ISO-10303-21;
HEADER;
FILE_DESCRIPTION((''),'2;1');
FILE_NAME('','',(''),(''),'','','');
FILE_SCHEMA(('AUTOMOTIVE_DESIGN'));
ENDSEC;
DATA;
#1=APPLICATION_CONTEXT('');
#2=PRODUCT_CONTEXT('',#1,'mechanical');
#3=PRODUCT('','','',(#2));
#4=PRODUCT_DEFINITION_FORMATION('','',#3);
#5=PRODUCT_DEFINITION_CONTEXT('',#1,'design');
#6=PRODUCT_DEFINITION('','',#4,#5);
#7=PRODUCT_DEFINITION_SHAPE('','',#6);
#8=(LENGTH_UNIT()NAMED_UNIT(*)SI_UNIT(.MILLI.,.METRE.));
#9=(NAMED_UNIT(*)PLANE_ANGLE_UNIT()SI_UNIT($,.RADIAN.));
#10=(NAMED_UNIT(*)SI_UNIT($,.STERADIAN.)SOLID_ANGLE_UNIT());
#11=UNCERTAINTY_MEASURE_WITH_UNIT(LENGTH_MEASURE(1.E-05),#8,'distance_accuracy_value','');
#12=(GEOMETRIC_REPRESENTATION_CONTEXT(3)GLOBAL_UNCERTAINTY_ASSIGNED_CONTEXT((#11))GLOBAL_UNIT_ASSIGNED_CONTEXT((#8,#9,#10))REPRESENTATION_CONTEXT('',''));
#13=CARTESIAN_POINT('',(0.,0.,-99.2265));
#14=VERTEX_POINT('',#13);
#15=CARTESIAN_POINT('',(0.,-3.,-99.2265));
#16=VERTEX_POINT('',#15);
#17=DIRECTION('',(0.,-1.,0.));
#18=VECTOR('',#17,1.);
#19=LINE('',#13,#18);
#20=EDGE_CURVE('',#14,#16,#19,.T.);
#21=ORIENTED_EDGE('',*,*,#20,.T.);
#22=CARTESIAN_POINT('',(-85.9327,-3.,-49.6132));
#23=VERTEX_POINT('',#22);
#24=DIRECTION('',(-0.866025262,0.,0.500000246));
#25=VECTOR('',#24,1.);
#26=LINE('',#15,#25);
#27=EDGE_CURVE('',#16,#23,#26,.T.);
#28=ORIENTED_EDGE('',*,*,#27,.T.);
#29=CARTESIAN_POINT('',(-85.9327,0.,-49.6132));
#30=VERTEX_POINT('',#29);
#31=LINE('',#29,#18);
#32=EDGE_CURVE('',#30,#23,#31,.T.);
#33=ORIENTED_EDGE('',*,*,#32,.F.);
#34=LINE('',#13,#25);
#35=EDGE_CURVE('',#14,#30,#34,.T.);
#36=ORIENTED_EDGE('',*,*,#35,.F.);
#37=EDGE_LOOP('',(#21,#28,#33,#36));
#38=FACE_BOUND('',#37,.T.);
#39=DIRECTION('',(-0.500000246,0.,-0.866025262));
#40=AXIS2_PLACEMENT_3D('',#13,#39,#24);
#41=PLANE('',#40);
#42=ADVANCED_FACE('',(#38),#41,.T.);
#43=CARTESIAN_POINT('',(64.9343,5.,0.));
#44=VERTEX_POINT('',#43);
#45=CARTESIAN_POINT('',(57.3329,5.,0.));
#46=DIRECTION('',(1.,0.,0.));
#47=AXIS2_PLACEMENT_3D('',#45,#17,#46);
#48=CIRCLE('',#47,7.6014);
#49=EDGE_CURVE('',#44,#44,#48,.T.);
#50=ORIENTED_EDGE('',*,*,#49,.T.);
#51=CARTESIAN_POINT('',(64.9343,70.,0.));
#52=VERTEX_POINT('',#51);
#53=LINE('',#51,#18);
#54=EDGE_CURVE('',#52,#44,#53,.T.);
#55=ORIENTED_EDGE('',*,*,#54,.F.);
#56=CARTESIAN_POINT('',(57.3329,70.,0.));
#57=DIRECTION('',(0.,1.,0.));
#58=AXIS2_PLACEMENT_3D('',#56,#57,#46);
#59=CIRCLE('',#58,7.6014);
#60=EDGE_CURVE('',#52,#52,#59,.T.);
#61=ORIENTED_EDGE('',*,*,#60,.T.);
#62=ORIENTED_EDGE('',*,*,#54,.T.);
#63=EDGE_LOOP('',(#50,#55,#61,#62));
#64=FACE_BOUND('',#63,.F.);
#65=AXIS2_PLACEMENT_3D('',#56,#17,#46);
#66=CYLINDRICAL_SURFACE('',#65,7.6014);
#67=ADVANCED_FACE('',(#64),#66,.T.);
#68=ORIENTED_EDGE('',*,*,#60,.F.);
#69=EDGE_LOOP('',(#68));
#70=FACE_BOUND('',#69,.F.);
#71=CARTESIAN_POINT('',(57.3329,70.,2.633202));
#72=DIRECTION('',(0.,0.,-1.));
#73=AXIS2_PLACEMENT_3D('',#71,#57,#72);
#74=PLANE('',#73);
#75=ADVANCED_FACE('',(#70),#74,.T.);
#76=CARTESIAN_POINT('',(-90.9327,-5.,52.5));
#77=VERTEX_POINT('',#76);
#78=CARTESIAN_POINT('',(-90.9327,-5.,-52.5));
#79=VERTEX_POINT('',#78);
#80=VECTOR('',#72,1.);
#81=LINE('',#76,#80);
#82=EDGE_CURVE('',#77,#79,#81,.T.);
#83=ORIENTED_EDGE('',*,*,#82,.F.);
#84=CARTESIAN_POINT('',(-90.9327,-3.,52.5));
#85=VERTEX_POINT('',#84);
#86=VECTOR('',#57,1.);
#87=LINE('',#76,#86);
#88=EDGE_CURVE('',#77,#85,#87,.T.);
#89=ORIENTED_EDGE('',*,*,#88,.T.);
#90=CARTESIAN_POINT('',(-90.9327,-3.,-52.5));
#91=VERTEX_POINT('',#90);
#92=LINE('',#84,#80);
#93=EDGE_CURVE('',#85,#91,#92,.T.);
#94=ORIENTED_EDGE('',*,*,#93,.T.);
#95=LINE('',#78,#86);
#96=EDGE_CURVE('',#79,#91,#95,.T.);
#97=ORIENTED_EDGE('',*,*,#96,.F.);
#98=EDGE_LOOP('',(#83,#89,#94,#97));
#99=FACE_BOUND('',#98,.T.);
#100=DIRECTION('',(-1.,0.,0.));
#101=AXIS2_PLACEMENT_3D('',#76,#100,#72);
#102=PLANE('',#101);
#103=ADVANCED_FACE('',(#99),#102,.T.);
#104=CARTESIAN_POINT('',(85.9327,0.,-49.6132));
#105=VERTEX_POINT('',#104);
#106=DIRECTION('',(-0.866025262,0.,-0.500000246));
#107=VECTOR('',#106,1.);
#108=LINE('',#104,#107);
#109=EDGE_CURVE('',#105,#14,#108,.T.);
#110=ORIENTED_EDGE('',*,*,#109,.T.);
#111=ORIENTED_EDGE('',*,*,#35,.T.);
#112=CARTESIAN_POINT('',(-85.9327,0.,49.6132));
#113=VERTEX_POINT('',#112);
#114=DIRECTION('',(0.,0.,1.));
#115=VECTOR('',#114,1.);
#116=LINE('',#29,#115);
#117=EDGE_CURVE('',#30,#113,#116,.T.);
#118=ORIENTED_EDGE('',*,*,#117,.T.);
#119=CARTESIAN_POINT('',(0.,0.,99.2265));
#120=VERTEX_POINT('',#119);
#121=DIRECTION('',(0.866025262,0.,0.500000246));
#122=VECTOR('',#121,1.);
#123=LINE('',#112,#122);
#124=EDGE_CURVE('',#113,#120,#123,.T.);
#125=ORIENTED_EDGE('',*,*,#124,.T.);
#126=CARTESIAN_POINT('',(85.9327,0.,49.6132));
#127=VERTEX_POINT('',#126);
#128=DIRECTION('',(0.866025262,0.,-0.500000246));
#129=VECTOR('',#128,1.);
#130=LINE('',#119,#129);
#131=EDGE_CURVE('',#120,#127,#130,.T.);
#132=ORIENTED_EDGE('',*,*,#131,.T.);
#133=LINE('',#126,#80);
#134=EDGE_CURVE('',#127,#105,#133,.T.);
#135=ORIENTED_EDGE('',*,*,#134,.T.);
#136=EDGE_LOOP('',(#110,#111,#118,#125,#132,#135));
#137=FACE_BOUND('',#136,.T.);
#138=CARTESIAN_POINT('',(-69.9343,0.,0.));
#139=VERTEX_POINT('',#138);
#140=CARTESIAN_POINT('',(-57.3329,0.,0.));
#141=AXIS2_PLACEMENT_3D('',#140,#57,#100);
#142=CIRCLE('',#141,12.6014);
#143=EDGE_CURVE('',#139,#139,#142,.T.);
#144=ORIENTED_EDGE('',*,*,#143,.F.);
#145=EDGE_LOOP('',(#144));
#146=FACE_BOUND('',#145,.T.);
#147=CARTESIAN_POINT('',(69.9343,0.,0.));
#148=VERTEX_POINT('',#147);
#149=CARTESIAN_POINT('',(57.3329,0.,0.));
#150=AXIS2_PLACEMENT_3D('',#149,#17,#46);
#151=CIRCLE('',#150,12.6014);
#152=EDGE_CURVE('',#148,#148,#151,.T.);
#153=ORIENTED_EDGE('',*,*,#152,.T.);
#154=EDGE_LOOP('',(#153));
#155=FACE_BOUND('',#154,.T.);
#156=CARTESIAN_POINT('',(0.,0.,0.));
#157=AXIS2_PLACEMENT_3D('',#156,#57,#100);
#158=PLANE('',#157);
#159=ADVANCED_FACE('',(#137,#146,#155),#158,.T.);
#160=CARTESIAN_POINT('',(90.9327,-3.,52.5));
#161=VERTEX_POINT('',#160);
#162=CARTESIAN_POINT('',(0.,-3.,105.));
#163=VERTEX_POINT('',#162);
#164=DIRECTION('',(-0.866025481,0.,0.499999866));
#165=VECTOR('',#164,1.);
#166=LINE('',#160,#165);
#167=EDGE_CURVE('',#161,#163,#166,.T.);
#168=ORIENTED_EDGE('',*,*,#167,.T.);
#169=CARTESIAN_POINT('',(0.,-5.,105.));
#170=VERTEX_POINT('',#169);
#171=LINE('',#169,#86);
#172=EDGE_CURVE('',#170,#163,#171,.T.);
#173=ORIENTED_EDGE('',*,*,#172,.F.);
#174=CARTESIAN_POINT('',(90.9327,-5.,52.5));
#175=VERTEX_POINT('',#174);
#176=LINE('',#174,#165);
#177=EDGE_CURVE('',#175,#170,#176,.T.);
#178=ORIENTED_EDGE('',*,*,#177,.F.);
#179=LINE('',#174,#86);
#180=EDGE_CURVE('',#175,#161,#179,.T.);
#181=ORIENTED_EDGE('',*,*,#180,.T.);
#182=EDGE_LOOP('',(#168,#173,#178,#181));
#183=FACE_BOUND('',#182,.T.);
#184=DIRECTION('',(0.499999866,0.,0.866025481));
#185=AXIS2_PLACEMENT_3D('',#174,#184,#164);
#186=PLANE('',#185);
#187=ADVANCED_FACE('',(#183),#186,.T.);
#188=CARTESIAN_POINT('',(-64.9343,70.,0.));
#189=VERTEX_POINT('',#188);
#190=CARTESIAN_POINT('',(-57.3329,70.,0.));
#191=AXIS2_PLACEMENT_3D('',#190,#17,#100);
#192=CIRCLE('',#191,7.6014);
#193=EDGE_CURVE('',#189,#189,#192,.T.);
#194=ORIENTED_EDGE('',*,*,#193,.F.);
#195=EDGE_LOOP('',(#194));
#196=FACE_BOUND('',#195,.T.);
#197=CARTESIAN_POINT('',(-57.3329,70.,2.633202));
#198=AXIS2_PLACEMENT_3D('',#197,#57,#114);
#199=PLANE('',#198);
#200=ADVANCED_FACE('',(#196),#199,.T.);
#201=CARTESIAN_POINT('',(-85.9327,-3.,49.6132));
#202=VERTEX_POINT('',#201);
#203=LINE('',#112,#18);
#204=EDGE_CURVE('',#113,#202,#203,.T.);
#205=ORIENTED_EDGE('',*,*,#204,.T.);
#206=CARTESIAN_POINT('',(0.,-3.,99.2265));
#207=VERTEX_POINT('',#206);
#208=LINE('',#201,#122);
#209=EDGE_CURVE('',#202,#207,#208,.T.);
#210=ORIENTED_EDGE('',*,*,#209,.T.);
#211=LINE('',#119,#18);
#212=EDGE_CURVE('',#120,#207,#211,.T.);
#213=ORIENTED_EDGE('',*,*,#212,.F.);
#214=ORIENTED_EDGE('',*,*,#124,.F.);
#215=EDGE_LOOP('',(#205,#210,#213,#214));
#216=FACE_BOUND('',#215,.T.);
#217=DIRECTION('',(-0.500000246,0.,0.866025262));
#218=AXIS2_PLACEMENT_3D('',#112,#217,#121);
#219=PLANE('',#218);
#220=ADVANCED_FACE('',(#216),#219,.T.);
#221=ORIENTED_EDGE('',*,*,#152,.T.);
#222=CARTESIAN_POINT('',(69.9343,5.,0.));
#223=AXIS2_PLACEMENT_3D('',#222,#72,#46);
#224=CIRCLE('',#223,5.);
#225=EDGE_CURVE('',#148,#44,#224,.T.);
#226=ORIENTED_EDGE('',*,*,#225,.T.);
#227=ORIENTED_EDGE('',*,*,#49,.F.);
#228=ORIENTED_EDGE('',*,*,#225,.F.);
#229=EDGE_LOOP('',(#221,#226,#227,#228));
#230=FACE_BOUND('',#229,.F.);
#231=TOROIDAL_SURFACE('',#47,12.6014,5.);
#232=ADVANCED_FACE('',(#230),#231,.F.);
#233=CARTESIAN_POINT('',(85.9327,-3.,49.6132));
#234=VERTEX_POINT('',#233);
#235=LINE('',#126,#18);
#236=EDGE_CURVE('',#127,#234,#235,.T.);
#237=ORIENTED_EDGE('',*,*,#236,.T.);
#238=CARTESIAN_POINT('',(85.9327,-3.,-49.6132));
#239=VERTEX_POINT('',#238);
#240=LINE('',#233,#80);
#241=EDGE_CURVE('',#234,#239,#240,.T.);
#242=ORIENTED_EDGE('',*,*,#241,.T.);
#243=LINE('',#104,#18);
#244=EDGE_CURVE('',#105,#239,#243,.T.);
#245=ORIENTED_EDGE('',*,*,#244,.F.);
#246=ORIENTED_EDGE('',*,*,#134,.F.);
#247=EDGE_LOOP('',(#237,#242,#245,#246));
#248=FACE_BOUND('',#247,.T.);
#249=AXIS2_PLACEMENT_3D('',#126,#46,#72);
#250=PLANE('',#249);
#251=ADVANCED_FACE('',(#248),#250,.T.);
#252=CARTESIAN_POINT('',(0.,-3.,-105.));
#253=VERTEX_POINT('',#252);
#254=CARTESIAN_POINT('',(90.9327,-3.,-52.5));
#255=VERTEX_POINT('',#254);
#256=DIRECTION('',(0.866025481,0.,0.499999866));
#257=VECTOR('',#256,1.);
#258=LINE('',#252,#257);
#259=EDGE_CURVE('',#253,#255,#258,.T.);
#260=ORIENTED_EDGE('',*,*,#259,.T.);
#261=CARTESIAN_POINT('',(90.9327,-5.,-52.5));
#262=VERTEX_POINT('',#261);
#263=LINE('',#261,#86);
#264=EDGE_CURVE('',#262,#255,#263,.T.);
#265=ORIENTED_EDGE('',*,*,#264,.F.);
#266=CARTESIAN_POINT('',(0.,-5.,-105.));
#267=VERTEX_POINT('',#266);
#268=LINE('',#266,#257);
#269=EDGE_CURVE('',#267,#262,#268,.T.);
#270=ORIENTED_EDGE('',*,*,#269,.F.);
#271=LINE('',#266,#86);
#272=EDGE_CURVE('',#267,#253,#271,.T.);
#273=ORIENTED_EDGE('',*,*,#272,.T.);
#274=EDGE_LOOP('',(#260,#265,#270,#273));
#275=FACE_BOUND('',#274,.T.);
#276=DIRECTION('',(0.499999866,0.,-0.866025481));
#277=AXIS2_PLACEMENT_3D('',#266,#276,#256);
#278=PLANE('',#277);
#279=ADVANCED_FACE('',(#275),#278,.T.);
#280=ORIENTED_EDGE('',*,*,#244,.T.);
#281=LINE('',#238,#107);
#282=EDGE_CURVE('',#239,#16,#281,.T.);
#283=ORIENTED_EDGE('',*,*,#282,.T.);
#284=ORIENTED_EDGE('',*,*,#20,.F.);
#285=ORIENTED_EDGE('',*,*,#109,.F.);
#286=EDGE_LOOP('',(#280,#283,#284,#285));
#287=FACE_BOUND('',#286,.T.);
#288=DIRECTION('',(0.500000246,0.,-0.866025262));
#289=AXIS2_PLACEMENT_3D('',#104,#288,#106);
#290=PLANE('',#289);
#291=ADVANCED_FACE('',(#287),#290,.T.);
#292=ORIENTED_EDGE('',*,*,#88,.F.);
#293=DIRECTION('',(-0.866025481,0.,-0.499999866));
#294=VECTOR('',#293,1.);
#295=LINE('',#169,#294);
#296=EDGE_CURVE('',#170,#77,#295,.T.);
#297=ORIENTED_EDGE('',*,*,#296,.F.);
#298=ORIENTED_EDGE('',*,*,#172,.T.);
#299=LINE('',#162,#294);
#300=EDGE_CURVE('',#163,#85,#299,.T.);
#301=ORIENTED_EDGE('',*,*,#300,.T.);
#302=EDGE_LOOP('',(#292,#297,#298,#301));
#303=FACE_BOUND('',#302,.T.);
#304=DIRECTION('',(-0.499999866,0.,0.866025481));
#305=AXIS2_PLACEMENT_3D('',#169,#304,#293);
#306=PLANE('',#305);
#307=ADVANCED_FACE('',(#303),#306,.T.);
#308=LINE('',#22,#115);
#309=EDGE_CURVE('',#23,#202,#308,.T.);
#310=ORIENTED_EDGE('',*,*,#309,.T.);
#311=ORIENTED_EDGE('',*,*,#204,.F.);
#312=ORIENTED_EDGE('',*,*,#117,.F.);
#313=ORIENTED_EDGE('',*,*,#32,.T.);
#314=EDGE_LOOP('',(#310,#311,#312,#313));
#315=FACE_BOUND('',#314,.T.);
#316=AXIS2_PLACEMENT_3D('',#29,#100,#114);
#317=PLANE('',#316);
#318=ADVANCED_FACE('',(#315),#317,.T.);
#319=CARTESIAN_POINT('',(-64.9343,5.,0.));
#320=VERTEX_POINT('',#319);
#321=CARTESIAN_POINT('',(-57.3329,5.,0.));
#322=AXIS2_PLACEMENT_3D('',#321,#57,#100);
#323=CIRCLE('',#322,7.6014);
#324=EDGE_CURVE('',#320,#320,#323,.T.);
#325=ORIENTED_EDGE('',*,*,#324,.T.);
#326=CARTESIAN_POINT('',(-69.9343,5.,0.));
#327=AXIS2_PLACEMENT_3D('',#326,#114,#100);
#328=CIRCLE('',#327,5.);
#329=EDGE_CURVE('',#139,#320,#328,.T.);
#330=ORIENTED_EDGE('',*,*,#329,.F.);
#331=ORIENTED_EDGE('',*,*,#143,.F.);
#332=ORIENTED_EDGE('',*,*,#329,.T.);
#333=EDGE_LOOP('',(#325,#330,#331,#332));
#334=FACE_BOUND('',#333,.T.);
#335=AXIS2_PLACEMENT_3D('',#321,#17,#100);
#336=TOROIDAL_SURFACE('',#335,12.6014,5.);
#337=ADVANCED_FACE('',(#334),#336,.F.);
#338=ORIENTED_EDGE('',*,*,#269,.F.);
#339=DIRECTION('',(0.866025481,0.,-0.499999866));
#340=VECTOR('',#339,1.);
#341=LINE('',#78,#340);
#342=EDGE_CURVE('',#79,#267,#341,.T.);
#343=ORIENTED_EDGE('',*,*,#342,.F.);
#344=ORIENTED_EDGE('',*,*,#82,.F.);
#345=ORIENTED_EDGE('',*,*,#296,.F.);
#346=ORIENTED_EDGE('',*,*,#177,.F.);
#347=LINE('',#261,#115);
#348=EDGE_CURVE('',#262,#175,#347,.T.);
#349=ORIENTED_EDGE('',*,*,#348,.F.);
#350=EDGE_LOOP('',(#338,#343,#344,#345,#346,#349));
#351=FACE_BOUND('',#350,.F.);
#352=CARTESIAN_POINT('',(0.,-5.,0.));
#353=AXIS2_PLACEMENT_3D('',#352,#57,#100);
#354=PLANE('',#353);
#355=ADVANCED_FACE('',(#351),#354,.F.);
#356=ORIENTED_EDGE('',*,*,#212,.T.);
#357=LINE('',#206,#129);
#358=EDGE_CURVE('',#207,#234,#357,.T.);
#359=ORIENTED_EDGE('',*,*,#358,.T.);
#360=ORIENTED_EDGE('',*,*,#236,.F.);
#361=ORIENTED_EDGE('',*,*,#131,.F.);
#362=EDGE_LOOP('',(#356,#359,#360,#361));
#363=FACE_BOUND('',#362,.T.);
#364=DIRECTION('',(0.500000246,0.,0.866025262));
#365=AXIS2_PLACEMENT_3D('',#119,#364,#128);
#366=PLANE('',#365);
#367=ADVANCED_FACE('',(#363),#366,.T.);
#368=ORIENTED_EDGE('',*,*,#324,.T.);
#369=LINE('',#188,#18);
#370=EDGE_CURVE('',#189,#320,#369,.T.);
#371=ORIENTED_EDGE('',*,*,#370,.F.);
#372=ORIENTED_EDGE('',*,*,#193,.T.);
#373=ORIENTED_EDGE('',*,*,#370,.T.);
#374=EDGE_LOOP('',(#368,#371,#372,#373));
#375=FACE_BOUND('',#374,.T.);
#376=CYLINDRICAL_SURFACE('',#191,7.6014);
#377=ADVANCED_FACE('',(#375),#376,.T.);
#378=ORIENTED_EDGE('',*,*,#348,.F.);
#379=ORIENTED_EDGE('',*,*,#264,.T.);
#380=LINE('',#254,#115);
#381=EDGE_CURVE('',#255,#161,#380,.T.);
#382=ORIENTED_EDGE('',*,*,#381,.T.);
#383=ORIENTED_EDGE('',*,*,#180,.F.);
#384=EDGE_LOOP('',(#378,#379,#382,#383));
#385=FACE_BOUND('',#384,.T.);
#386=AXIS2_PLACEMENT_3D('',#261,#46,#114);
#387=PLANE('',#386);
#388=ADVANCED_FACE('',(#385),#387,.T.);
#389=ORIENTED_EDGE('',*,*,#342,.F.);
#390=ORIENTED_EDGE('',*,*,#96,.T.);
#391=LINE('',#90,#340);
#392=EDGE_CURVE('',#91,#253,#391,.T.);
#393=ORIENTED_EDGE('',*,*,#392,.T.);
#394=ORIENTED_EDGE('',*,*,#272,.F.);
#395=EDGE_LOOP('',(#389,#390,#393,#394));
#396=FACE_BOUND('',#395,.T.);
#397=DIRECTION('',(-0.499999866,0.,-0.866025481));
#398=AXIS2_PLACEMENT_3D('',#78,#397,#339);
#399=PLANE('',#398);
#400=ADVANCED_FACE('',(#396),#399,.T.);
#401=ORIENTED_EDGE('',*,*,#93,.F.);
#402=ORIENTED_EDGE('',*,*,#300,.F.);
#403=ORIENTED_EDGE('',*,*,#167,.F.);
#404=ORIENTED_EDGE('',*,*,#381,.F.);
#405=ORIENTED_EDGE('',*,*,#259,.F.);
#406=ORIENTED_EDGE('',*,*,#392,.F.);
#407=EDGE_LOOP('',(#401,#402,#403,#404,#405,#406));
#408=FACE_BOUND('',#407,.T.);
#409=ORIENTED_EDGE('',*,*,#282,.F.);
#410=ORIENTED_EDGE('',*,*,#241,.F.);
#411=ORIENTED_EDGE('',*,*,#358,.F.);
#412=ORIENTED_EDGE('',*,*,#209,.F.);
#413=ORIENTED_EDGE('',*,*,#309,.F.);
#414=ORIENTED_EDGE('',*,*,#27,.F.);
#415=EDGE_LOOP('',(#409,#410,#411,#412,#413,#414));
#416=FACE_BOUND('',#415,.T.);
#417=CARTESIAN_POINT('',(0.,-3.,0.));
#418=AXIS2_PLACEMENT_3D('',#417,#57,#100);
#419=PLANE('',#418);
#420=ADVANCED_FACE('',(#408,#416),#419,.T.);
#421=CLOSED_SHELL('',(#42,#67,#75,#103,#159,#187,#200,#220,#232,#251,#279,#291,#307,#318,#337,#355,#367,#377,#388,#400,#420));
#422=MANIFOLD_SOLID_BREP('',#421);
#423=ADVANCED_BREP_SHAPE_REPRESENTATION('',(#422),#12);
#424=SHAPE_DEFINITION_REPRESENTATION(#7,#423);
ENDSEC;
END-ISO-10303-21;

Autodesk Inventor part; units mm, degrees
ref_plane "XZ Plane" through (0, 0, 0) normal (0, 1, 0) x (-1, 0, 0)
sketch "Sketch2" plane through (0, 0, 0) normal (0, 0, 1) x (1, 0, 0)
  line L0 (0, 0) -> (-38.9815, 0)
  line L1 (-46.3001, 0) -> (-38.9815, 0)
  line L2 (-38.9815, 0) -> (-31.6629, 0)
  line L3 (-49.7315, 70) -> (-64.9343, 70)
  line L4 (-64.9343, 70) -> (-64.9343, 0)
  line L5 (-64.9343, 0) -> (-49.7315, 0)
  line L6 (-49.7315, 0) -> (-49.7315, 70)
  line L7 (-38.9815, 70) -> (-38.9815, 0) construction
  line L8 (-57.3329, 70) -> (-57.3329, 0)
  dimension "d1" = 38.9815
  dimension "d53" = 70
sketch "Sketch3" plane through (0, 0, 0) normal (0, 1, 0) x (-1, 0, 0)
  circle A0 centre (0, 0) radius 105
  circle A1 centre (38.9815, 0) radius 7.3186 projected
  line L0 (0, -105) -> (-90.9327, -52.5)
  line L1 (-90.9327, -52.5) -> (-90.9327, 52.5)
  line L2 (-90.9327, 52.5) -> (0, 105)
  line L3 (0, 105) -> (90.9327, 52.5)
  line L4 (90.9327, 52.5) -> (90.9327, -52.5)
  line L5 (90.9327, -52.5) -> (0, -105)
  line L6 (-85.9327, -49.6132) -> (0, -99.2265)
  line L7 (0, -99.2265) -> (85.9327, -49.6132)
  line L8 (85.9327, -49.6132) -> (85.9327, 49.6132)
  line L9 (85.9327, 49.6132) -> (0, 99.2265)
  line L10 (0, 99.2265) -> (-85.9327, 49.6132)
  line L11 (-85.9327, 49.6132) -> (-85.9327, -49.6132)
  dimension "d14" = 210
  dimension "d15" = 5
extrude "Extrusion3" add sketch "Sketch3" against normal blind 5 contours A1 | L11 L10 L9 L8 L7 L6
extrude "Extrusion4" add sketch "Sketch3" along normal blind 2 from surface at -5 contours L4 L5 L0 L1 L2 L3
sketch "Sketch7" plane through (0, 0, 0) normal (0, 1, 0) x (-1, 0, 0)
  circle A0 centre (57.3329, 0) radius 7.6014
  line L0 (64.9343, 0) -> (49.7315, 0) projected
  point P0 (0, 0)
  point P1 (64.9343, 0)
  point P2 (64.9343, 0)
  point P3 (49.7315, 0)
sweep "Sweep1" add profiles "Sketch7" path "Sketch2" path curves L8
ref_plane "Work Plane1" through (-38.9815, 70, 0) normal (1, 0, 0) x (0, 1, 0)
sketch "Sketch8" plane through (-38.9815, 70, 0) normal (1, 0, 0) x (0, 1, 0)
  point P0 (-70, 0)
sketch "Sketch10" plane through (-38.9815, 70, 0) normal (1, 0, 0) x (0, 1, 0)
  line L0 (0, 0) -> (-25, 0) construction
  circle A0 centre (-25, 0) radius 5.5
  circle A1 centre (-25, 0) radius 9.5
  circle A2 centre (0, 0) radius 25 construction
  circle A3 centre (-19.2628, 15.9356) radius 9.5
  circle A4 centre (-19.2628, 15.9356) radius 5.5
  circle A5 centre (-4.6845, 24.5572) radius 9.5
  circle A6 centre (-4.6845, 24.5572) radius 5.5
  circle A7 centre (12.0438, 21.9077) radius 9.5
  circle A8 centre (12.0438, 21.9077) radius 5.5
  circle A9 centre (23.2444, 9.2031) radius 9.5
  circle A10 centre (23.2444, 9.2031) radius 5.5
  circle A11 centre (23.7764, -7.7254) radius 9.5
  circle A12 centre (23.7764, -7.7254) radius 5.5
  point P0 (-70, 0)
  dimension "d38" = 11
  dimension "d39" = 4
  dimension "d42" = 198
  dimension "d49" = 25
extrude "Extrusion9" [suppressed]
fillet "Fillet5" radius 5 1 edges at (-64.9343, 0, 0)
mirror "Mirror4" about plane through (0, 0, 0) normal (1, 0, 0) of "Sweep1", "Fillet5"
equation "\"d1\" = 0.5 * ballDist"
equation "\"ballDist\" = 77.963"
equation "\"ballDiam\" = 12.7"
equation "\"clearance\" = 0.4"
properties part number "mounter"
